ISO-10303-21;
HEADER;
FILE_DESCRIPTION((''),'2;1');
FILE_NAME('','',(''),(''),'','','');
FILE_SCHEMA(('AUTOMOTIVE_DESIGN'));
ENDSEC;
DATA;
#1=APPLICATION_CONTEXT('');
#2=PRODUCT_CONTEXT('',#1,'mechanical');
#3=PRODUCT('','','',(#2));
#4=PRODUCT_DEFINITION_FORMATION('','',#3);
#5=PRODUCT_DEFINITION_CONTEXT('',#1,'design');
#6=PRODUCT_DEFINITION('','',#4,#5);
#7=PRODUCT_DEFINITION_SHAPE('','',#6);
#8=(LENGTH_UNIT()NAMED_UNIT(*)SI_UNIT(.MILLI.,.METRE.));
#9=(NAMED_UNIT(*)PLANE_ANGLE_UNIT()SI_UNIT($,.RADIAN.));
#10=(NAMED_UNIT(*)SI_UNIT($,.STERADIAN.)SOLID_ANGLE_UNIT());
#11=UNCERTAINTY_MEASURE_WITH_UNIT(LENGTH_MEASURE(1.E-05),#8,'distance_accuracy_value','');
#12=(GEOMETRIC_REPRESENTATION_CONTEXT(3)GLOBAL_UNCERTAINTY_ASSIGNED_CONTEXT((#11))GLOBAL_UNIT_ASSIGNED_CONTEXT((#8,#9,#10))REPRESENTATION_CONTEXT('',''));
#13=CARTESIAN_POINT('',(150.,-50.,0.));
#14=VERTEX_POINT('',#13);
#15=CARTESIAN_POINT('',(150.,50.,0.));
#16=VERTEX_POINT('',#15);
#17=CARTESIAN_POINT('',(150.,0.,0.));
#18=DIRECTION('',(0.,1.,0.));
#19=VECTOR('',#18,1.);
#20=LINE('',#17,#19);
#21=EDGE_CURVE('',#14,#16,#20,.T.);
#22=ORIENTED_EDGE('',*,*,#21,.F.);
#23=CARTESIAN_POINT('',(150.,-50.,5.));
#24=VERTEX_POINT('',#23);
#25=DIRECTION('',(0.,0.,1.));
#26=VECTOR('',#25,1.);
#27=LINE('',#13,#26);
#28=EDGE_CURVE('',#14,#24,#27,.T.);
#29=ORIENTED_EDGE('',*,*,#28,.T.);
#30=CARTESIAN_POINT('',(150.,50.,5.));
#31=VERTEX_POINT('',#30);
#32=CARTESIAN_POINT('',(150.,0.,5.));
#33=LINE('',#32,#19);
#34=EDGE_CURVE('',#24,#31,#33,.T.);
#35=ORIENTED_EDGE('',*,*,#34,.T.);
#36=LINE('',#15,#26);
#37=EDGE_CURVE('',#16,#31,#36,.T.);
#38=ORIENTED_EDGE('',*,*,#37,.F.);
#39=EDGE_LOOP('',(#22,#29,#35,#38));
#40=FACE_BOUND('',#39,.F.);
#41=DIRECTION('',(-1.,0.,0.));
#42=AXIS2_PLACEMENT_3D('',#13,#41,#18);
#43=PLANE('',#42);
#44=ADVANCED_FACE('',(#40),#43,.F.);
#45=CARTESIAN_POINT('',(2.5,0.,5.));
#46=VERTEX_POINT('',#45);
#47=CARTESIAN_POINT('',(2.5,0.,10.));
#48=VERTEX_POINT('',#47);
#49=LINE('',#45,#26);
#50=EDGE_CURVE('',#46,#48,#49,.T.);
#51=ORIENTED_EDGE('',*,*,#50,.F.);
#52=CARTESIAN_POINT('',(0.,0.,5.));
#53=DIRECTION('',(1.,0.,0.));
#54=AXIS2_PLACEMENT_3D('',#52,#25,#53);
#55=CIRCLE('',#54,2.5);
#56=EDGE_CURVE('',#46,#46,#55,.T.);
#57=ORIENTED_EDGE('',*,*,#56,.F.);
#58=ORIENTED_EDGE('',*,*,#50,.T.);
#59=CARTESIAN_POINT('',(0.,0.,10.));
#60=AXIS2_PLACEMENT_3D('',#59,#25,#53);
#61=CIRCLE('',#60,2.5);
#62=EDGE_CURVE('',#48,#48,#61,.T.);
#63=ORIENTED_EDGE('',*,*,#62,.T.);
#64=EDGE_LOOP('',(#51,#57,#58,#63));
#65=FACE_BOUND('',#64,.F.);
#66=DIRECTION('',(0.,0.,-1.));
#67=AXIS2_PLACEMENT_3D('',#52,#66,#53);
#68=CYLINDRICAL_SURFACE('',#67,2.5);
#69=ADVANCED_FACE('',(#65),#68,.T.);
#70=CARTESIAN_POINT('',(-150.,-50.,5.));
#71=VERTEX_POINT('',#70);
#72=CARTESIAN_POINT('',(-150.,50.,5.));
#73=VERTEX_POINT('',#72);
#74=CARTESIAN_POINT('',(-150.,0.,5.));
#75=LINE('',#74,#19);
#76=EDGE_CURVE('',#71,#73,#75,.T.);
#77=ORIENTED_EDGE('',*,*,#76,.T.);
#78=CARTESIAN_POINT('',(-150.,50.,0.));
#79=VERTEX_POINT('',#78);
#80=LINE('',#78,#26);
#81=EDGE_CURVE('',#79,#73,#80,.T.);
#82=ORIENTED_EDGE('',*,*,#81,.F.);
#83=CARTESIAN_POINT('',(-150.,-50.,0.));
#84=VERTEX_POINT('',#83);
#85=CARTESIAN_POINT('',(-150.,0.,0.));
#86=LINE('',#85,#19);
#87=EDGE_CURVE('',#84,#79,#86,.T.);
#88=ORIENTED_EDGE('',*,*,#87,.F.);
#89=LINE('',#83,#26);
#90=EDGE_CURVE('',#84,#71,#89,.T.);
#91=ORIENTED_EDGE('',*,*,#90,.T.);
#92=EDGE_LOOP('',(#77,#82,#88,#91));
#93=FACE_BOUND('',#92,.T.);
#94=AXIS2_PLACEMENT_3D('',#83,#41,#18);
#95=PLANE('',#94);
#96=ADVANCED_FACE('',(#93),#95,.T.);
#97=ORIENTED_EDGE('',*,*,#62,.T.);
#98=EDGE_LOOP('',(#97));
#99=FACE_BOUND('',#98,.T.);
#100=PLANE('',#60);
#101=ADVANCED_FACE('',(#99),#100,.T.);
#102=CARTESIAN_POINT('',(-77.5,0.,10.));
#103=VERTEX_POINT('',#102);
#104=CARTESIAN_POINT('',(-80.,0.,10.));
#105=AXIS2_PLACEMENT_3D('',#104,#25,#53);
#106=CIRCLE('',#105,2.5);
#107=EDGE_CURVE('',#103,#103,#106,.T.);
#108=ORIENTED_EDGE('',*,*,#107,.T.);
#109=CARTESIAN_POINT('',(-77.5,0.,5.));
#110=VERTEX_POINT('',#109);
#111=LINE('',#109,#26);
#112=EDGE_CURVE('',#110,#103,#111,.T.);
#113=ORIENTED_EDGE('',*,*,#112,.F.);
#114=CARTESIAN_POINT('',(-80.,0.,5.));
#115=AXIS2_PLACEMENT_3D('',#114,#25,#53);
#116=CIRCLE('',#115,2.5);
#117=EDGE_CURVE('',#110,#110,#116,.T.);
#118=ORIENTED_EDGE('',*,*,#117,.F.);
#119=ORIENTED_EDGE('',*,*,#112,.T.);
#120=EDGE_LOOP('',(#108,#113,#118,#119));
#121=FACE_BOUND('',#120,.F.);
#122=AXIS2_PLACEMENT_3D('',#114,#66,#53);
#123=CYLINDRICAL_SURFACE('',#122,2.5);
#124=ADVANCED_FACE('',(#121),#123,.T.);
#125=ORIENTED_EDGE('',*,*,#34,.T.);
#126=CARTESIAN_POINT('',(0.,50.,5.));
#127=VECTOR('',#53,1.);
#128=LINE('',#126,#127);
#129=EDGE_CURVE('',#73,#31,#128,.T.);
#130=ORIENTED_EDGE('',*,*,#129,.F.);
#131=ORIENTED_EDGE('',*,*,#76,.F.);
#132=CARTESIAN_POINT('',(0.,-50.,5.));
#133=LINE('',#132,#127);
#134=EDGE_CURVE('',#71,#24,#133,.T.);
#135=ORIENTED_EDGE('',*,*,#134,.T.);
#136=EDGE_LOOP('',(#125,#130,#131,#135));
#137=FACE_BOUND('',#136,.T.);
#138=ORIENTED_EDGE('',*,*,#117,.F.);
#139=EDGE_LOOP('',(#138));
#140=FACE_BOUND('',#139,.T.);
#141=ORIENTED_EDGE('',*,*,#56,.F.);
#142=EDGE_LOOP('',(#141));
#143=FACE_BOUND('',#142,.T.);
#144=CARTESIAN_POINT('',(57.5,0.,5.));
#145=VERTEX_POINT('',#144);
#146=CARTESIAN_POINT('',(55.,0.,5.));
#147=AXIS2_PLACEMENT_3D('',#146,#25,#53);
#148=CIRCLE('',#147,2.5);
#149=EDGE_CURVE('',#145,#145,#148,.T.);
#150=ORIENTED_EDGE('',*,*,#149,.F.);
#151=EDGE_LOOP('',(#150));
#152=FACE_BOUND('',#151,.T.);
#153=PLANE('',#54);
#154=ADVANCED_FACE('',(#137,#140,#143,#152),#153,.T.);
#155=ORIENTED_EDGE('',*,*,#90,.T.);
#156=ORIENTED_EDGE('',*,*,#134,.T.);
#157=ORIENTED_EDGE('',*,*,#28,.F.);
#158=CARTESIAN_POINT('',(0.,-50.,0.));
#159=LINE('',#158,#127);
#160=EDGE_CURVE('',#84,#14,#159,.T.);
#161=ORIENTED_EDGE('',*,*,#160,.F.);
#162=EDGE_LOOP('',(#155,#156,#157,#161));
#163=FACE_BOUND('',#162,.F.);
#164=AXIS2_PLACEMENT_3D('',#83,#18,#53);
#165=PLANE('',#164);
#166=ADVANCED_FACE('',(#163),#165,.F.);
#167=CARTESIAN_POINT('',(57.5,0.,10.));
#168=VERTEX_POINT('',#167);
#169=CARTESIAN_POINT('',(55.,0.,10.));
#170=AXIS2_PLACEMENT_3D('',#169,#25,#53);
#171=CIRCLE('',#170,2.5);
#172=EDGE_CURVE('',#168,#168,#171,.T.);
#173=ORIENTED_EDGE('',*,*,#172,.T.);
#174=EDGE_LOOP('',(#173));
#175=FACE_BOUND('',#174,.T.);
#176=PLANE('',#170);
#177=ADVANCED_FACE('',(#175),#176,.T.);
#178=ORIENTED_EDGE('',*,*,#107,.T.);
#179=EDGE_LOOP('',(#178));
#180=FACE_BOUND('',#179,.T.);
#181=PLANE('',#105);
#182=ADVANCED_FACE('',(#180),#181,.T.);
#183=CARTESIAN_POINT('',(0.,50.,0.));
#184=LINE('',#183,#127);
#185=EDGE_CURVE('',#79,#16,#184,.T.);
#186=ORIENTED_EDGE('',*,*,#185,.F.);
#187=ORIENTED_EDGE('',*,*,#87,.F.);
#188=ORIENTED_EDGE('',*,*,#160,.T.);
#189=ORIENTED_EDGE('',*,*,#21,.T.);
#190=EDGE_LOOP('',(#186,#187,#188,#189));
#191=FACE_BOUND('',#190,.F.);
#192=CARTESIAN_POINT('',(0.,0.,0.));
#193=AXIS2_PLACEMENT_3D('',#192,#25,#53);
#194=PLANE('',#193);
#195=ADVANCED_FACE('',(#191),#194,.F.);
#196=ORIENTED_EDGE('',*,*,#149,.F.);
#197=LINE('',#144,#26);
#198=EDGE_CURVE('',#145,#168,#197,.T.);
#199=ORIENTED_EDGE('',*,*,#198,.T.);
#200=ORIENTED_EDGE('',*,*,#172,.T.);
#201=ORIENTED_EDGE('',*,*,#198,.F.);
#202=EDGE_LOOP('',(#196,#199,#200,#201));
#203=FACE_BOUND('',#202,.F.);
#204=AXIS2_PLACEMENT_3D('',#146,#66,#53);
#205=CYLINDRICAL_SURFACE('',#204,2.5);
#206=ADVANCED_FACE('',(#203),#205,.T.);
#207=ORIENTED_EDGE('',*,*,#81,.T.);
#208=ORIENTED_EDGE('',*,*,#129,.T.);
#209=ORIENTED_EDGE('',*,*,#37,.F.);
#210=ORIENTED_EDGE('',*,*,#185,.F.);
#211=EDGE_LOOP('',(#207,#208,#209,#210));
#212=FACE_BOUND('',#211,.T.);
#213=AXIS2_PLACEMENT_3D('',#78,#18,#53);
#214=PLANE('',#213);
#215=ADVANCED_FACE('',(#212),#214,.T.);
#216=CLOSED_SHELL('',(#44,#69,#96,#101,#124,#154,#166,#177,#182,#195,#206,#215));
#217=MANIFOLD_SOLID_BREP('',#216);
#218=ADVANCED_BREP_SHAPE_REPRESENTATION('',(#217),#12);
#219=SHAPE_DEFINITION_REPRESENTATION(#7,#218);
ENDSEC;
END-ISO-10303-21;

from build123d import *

# Parameters (mm, degrees)
F0_W     = 300
F0_H     = 100
F1_DEPTH = 5
F2_R     = 2.5
F3_DEPTH = 5
F4_DEPTH = 5


with BuildPart() as f1:
    # F0 (on Top) → F1 (new body)
    with BuildSketch(Plane.XY):
        Rectangle(F0_W, F0_H)
    extrude(amount=F1_DEPTH)

    # F2 (on face) → F3 (join)
    with BuildSketch(Plane.XY.offset(5)):
        Circle(F2_R)
        with Locations((-80, 0)):
            Circle(F2_R)
    extrude(amount=F3_DEPTH)

    # F2 (on face) → F4 (join)
    with BuildSketch(Plane.XY.offset(5)):
        Circle(F2_R)
        with Locations((-80, 0)):
            Circle(F2_R)
        with Locations((55, 0)):
            Circle(F2_R)
    extrude(amount=F4_DEPTH)


solid = f1.part
